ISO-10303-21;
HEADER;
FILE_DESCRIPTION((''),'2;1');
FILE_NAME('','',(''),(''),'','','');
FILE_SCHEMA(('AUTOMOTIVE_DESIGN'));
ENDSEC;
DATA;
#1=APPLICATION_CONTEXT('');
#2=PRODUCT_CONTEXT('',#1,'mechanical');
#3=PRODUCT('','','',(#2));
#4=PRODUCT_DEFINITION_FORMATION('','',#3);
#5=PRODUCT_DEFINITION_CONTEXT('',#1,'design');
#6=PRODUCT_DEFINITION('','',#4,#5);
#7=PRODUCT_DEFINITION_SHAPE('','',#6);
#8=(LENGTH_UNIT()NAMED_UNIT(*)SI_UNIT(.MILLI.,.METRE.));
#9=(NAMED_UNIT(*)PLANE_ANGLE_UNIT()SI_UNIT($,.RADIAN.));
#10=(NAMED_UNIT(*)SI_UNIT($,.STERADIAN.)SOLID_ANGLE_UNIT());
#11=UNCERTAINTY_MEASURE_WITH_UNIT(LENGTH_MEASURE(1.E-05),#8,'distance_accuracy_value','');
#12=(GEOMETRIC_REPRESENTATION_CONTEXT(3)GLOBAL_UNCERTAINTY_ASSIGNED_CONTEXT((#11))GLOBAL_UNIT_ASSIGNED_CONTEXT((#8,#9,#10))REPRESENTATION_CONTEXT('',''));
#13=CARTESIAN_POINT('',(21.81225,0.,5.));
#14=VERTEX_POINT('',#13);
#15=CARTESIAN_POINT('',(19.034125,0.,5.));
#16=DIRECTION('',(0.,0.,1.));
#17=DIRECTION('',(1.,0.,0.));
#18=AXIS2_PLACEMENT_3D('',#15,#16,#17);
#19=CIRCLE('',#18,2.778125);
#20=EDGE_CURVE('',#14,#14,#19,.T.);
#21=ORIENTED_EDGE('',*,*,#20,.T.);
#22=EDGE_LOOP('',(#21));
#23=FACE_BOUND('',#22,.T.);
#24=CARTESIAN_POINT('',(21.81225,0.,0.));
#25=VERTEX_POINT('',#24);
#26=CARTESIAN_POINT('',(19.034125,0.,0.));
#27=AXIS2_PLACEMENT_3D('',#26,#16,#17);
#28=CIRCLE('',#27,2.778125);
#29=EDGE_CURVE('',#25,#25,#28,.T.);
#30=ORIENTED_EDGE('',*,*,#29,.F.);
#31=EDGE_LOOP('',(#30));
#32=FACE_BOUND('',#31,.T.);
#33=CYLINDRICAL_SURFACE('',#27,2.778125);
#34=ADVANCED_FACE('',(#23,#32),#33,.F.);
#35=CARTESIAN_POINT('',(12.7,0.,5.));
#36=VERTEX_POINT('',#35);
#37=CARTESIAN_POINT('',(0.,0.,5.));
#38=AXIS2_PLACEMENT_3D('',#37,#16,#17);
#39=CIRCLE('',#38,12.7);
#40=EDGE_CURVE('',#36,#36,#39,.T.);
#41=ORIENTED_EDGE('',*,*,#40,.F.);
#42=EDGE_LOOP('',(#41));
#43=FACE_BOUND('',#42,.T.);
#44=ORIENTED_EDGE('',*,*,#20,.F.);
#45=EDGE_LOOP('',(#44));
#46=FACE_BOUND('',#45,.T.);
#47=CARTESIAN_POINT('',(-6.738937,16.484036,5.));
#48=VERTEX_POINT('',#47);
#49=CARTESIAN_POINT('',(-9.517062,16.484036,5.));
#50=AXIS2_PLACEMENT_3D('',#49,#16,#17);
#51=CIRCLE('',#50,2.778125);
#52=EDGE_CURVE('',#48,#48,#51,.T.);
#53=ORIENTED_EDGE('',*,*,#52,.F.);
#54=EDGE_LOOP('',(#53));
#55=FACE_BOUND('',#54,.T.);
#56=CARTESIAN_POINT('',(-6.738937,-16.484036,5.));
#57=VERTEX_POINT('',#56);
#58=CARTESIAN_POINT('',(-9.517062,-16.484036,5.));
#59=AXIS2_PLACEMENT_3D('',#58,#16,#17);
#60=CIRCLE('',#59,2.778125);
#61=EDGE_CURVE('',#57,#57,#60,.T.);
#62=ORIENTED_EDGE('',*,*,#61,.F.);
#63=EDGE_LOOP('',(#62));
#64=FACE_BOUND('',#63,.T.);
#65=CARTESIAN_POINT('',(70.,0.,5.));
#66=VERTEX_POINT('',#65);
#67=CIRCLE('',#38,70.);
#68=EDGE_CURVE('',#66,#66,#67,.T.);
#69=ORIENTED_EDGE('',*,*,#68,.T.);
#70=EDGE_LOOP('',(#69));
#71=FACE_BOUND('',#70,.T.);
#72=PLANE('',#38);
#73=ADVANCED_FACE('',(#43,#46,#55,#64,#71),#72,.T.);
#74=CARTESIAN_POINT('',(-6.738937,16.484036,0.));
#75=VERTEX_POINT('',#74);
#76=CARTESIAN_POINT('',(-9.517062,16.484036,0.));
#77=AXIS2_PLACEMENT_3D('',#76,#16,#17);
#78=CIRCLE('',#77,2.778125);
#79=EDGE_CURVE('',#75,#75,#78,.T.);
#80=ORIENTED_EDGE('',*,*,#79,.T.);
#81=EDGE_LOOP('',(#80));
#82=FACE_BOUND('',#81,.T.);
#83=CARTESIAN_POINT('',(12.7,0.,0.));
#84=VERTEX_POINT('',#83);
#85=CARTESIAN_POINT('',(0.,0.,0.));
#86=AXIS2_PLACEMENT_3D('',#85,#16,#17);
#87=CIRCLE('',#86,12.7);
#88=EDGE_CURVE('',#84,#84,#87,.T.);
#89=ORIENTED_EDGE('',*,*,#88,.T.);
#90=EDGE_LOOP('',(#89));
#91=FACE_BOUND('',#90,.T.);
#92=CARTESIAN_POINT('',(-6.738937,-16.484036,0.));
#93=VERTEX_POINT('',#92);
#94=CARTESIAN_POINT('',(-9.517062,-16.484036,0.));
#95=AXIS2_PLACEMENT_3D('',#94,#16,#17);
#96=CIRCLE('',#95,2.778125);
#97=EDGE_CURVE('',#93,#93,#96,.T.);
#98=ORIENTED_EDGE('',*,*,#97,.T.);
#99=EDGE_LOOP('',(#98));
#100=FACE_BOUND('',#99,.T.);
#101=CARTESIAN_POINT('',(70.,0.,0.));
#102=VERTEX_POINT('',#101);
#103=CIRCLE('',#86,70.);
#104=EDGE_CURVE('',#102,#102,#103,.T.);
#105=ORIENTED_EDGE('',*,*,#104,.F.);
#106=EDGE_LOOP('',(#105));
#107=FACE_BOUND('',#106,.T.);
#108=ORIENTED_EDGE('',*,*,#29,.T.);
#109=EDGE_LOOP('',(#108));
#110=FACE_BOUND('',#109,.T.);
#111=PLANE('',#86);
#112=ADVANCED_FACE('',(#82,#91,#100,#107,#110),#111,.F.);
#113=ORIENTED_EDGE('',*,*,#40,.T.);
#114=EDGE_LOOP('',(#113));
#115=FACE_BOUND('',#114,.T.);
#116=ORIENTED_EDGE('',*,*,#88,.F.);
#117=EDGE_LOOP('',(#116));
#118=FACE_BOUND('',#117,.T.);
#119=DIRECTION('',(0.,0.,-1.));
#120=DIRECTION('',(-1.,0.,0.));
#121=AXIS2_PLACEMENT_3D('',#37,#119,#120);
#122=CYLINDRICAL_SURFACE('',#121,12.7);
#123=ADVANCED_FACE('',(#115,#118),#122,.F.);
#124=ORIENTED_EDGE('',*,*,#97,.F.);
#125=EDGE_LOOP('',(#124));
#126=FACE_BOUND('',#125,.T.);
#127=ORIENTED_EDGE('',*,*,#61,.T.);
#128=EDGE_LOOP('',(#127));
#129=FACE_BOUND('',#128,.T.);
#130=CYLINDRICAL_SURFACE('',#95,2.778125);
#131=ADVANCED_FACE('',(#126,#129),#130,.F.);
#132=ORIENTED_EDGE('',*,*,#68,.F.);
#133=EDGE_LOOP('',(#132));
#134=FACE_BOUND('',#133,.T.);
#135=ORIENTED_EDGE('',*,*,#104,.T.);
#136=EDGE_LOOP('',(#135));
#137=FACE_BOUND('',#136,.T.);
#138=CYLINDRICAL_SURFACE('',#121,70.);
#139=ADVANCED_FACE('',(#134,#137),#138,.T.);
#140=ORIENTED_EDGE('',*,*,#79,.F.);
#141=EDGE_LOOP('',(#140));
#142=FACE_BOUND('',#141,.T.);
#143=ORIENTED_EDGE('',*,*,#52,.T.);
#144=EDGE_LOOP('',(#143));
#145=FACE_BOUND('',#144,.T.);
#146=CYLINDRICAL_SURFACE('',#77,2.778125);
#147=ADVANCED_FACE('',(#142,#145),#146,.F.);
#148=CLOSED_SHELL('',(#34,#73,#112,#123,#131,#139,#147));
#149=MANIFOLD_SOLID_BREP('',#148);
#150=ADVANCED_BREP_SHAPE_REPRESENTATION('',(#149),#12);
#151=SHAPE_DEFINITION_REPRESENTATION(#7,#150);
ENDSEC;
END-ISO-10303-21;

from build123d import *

# Parameters (mm, degrees)
SKETCH1_R               = 70
SKETCH1_R_2             = 12.7
BOSS_EXTRUDE1_DEPTH     = 5
CUT_EXTRUDE1_DEPTH      = 100.121138008
CUT_EXTRUDE1_DEPTH_BACK = 100.121138008
SKETCH3_R               = 2.778125


with BuildPart() as part:
    # Sketch1 → Boss-Extrude1 (new body)
    with BuildSketch(Plane.XY):
        Circle(SKETCH1_R)
        Circle(SKETCH1_R_2, mode=Mode.SUBTRACT)
    extrude(amount=BOSS_EXTRUDE1_DEPTH)

    # Sketch3 → Cut-Extrude1 (cut, two sides: drawn at the far end of the back side and taken through both)
    with BuildSketch(Plane.XY.offset(5).offset(-CUT_EXTRUDE1_DEPTH_BACK)):
        with Locations((-9.5170625, 16.484035789)):
            Circle(SKETCH3_R)
        with Locations((19.034125, 0)):
            Circle(SKETCH3_R)
        with Locations((-9.5170625, -16.484035789)):
            Circle(SKETCH3_R)
    extrude(amount=CUT_EXTRUDE1_DEPTH + CUT_EXTRUDE1_DEPTH_BACK, mode=Mode.SUBTRACT)


solid = part.part
